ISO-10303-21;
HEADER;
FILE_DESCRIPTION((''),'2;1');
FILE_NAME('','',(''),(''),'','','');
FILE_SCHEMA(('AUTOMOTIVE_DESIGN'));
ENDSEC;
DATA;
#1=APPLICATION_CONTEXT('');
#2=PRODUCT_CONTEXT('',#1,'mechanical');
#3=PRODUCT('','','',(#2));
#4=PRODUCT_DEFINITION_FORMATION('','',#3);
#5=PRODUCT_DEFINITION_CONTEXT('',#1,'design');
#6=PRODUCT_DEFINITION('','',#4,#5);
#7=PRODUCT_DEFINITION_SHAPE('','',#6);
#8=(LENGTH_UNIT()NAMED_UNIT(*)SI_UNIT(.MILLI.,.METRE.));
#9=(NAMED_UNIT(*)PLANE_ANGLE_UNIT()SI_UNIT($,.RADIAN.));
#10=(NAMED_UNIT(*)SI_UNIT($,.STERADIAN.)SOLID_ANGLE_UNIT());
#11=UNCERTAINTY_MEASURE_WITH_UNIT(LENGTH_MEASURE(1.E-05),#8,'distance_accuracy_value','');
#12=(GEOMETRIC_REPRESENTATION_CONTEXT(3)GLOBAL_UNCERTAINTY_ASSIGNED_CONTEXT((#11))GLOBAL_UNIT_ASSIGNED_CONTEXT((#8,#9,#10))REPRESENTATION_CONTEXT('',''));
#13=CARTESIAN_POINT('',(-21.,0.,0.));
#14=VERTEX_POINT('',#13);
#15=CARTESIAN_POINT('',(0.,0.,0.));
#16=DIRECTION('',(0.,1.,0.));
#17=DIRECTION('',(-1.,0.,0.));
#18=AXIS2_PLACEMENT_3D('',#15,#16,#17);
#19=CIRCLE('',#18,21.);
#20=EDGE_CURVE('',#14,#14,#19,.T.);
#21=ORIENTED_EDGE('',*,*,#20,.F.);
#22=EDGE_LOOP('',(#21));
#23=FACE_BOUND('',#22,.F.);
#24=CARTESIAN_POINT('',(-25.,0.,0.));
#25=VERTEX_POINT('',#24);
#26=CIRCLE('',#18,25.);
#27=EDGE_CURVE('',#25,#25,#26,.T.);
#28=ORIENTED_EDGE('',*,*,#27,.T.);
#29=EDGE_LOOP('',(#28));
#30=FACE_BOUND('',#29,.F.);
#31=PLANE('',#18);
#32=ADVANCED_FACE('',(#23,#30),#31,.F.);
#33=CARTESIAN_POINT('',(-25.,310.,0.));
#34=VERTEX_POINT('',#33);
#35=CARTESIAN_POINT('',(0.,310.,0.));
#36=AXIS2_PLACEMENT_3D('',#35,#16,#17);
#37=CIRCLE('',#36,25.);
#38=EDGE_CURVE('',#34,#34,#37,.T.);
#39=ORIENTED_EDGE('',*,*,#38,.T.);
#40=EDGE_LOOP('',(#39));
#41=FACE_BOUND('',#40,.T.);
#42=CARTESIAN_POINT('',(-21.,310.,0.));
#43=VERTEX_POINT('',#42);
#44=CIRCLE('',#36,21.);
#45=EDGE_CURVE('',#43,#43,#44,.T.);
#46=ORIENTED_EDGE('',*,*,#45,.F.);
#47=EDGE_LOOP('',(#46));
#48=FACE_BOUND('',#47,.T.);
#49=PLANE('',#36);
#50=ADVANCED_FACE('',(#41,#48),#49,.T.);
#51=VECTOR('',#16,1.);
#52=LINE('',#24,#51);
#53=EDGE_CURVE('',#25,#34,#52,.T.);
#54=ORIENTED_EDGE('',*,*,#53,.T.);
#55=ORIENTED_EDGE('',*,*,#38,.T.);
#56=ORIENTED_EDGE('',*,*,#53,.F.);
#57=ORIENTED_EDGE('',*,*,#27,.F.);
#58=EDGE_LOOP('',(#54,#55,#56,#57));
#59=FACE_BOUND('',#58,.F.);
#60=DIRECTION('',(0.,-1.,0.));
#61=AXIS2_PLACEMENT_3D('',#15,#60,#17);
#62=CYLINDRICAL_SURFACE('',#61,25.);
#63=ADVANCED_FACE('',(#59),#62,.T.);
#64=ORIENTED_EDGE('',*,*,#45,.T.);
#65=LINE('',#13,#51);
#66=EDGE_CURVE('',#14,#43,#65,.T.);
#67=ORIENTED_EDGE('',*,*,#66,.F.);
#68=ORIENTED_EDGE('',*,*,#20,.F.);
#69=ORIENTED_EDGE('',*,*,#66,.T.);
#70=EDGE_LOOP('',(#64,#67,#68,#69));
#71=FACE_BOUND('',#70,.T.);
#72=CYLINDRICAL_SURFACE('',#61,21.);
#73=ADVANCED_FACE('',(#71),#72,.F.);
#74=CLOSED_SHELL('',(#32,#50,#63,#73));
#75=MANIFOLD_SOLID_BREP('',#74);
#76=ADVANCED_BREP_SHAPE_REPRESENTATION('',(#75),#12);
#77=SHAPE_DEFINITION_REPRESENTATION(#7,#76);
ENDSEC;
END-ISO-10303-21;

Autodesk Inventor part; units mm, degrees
sketch "Sketch_1" plane through (0, 0, 0) normal (0, 1, 0) x (-1, 0, 0)
  circle A0 centre (0, 0) radius 25
  circle A1 centre (0, 0) radius 21
extrude "Extrusion1" add sketch "Sketch_1" along normal blind 310
ref_plane "S1_DOWN_XY" through (0, 0, 0) normal (0, 1, 0) x (1, 0, 0)
ref_plane "S1_DOWN_YZ" through (0, 0, 0) normal (1, 0, 0) x (0, 0, -1)
ref_plane "S1_DOWN_ZX" through (0, 0, 0) normal (0, 0, -1) x (0, 1, 0)
ref_plane "S1_UP_XY" through (0, 310, 0) normal (0, -1, 0) x (1, 0, 0)
ref_plane "S1_UP_YZ" through (0, 310, 0) normal (1, 0, 0) x (0, 0, 1)
ref_plane "S1_UP_ZX" through (0, 310, 0) normal (0, 0, 1) x (0, -1, 0)
properties part number "BZB-PDOWN"
